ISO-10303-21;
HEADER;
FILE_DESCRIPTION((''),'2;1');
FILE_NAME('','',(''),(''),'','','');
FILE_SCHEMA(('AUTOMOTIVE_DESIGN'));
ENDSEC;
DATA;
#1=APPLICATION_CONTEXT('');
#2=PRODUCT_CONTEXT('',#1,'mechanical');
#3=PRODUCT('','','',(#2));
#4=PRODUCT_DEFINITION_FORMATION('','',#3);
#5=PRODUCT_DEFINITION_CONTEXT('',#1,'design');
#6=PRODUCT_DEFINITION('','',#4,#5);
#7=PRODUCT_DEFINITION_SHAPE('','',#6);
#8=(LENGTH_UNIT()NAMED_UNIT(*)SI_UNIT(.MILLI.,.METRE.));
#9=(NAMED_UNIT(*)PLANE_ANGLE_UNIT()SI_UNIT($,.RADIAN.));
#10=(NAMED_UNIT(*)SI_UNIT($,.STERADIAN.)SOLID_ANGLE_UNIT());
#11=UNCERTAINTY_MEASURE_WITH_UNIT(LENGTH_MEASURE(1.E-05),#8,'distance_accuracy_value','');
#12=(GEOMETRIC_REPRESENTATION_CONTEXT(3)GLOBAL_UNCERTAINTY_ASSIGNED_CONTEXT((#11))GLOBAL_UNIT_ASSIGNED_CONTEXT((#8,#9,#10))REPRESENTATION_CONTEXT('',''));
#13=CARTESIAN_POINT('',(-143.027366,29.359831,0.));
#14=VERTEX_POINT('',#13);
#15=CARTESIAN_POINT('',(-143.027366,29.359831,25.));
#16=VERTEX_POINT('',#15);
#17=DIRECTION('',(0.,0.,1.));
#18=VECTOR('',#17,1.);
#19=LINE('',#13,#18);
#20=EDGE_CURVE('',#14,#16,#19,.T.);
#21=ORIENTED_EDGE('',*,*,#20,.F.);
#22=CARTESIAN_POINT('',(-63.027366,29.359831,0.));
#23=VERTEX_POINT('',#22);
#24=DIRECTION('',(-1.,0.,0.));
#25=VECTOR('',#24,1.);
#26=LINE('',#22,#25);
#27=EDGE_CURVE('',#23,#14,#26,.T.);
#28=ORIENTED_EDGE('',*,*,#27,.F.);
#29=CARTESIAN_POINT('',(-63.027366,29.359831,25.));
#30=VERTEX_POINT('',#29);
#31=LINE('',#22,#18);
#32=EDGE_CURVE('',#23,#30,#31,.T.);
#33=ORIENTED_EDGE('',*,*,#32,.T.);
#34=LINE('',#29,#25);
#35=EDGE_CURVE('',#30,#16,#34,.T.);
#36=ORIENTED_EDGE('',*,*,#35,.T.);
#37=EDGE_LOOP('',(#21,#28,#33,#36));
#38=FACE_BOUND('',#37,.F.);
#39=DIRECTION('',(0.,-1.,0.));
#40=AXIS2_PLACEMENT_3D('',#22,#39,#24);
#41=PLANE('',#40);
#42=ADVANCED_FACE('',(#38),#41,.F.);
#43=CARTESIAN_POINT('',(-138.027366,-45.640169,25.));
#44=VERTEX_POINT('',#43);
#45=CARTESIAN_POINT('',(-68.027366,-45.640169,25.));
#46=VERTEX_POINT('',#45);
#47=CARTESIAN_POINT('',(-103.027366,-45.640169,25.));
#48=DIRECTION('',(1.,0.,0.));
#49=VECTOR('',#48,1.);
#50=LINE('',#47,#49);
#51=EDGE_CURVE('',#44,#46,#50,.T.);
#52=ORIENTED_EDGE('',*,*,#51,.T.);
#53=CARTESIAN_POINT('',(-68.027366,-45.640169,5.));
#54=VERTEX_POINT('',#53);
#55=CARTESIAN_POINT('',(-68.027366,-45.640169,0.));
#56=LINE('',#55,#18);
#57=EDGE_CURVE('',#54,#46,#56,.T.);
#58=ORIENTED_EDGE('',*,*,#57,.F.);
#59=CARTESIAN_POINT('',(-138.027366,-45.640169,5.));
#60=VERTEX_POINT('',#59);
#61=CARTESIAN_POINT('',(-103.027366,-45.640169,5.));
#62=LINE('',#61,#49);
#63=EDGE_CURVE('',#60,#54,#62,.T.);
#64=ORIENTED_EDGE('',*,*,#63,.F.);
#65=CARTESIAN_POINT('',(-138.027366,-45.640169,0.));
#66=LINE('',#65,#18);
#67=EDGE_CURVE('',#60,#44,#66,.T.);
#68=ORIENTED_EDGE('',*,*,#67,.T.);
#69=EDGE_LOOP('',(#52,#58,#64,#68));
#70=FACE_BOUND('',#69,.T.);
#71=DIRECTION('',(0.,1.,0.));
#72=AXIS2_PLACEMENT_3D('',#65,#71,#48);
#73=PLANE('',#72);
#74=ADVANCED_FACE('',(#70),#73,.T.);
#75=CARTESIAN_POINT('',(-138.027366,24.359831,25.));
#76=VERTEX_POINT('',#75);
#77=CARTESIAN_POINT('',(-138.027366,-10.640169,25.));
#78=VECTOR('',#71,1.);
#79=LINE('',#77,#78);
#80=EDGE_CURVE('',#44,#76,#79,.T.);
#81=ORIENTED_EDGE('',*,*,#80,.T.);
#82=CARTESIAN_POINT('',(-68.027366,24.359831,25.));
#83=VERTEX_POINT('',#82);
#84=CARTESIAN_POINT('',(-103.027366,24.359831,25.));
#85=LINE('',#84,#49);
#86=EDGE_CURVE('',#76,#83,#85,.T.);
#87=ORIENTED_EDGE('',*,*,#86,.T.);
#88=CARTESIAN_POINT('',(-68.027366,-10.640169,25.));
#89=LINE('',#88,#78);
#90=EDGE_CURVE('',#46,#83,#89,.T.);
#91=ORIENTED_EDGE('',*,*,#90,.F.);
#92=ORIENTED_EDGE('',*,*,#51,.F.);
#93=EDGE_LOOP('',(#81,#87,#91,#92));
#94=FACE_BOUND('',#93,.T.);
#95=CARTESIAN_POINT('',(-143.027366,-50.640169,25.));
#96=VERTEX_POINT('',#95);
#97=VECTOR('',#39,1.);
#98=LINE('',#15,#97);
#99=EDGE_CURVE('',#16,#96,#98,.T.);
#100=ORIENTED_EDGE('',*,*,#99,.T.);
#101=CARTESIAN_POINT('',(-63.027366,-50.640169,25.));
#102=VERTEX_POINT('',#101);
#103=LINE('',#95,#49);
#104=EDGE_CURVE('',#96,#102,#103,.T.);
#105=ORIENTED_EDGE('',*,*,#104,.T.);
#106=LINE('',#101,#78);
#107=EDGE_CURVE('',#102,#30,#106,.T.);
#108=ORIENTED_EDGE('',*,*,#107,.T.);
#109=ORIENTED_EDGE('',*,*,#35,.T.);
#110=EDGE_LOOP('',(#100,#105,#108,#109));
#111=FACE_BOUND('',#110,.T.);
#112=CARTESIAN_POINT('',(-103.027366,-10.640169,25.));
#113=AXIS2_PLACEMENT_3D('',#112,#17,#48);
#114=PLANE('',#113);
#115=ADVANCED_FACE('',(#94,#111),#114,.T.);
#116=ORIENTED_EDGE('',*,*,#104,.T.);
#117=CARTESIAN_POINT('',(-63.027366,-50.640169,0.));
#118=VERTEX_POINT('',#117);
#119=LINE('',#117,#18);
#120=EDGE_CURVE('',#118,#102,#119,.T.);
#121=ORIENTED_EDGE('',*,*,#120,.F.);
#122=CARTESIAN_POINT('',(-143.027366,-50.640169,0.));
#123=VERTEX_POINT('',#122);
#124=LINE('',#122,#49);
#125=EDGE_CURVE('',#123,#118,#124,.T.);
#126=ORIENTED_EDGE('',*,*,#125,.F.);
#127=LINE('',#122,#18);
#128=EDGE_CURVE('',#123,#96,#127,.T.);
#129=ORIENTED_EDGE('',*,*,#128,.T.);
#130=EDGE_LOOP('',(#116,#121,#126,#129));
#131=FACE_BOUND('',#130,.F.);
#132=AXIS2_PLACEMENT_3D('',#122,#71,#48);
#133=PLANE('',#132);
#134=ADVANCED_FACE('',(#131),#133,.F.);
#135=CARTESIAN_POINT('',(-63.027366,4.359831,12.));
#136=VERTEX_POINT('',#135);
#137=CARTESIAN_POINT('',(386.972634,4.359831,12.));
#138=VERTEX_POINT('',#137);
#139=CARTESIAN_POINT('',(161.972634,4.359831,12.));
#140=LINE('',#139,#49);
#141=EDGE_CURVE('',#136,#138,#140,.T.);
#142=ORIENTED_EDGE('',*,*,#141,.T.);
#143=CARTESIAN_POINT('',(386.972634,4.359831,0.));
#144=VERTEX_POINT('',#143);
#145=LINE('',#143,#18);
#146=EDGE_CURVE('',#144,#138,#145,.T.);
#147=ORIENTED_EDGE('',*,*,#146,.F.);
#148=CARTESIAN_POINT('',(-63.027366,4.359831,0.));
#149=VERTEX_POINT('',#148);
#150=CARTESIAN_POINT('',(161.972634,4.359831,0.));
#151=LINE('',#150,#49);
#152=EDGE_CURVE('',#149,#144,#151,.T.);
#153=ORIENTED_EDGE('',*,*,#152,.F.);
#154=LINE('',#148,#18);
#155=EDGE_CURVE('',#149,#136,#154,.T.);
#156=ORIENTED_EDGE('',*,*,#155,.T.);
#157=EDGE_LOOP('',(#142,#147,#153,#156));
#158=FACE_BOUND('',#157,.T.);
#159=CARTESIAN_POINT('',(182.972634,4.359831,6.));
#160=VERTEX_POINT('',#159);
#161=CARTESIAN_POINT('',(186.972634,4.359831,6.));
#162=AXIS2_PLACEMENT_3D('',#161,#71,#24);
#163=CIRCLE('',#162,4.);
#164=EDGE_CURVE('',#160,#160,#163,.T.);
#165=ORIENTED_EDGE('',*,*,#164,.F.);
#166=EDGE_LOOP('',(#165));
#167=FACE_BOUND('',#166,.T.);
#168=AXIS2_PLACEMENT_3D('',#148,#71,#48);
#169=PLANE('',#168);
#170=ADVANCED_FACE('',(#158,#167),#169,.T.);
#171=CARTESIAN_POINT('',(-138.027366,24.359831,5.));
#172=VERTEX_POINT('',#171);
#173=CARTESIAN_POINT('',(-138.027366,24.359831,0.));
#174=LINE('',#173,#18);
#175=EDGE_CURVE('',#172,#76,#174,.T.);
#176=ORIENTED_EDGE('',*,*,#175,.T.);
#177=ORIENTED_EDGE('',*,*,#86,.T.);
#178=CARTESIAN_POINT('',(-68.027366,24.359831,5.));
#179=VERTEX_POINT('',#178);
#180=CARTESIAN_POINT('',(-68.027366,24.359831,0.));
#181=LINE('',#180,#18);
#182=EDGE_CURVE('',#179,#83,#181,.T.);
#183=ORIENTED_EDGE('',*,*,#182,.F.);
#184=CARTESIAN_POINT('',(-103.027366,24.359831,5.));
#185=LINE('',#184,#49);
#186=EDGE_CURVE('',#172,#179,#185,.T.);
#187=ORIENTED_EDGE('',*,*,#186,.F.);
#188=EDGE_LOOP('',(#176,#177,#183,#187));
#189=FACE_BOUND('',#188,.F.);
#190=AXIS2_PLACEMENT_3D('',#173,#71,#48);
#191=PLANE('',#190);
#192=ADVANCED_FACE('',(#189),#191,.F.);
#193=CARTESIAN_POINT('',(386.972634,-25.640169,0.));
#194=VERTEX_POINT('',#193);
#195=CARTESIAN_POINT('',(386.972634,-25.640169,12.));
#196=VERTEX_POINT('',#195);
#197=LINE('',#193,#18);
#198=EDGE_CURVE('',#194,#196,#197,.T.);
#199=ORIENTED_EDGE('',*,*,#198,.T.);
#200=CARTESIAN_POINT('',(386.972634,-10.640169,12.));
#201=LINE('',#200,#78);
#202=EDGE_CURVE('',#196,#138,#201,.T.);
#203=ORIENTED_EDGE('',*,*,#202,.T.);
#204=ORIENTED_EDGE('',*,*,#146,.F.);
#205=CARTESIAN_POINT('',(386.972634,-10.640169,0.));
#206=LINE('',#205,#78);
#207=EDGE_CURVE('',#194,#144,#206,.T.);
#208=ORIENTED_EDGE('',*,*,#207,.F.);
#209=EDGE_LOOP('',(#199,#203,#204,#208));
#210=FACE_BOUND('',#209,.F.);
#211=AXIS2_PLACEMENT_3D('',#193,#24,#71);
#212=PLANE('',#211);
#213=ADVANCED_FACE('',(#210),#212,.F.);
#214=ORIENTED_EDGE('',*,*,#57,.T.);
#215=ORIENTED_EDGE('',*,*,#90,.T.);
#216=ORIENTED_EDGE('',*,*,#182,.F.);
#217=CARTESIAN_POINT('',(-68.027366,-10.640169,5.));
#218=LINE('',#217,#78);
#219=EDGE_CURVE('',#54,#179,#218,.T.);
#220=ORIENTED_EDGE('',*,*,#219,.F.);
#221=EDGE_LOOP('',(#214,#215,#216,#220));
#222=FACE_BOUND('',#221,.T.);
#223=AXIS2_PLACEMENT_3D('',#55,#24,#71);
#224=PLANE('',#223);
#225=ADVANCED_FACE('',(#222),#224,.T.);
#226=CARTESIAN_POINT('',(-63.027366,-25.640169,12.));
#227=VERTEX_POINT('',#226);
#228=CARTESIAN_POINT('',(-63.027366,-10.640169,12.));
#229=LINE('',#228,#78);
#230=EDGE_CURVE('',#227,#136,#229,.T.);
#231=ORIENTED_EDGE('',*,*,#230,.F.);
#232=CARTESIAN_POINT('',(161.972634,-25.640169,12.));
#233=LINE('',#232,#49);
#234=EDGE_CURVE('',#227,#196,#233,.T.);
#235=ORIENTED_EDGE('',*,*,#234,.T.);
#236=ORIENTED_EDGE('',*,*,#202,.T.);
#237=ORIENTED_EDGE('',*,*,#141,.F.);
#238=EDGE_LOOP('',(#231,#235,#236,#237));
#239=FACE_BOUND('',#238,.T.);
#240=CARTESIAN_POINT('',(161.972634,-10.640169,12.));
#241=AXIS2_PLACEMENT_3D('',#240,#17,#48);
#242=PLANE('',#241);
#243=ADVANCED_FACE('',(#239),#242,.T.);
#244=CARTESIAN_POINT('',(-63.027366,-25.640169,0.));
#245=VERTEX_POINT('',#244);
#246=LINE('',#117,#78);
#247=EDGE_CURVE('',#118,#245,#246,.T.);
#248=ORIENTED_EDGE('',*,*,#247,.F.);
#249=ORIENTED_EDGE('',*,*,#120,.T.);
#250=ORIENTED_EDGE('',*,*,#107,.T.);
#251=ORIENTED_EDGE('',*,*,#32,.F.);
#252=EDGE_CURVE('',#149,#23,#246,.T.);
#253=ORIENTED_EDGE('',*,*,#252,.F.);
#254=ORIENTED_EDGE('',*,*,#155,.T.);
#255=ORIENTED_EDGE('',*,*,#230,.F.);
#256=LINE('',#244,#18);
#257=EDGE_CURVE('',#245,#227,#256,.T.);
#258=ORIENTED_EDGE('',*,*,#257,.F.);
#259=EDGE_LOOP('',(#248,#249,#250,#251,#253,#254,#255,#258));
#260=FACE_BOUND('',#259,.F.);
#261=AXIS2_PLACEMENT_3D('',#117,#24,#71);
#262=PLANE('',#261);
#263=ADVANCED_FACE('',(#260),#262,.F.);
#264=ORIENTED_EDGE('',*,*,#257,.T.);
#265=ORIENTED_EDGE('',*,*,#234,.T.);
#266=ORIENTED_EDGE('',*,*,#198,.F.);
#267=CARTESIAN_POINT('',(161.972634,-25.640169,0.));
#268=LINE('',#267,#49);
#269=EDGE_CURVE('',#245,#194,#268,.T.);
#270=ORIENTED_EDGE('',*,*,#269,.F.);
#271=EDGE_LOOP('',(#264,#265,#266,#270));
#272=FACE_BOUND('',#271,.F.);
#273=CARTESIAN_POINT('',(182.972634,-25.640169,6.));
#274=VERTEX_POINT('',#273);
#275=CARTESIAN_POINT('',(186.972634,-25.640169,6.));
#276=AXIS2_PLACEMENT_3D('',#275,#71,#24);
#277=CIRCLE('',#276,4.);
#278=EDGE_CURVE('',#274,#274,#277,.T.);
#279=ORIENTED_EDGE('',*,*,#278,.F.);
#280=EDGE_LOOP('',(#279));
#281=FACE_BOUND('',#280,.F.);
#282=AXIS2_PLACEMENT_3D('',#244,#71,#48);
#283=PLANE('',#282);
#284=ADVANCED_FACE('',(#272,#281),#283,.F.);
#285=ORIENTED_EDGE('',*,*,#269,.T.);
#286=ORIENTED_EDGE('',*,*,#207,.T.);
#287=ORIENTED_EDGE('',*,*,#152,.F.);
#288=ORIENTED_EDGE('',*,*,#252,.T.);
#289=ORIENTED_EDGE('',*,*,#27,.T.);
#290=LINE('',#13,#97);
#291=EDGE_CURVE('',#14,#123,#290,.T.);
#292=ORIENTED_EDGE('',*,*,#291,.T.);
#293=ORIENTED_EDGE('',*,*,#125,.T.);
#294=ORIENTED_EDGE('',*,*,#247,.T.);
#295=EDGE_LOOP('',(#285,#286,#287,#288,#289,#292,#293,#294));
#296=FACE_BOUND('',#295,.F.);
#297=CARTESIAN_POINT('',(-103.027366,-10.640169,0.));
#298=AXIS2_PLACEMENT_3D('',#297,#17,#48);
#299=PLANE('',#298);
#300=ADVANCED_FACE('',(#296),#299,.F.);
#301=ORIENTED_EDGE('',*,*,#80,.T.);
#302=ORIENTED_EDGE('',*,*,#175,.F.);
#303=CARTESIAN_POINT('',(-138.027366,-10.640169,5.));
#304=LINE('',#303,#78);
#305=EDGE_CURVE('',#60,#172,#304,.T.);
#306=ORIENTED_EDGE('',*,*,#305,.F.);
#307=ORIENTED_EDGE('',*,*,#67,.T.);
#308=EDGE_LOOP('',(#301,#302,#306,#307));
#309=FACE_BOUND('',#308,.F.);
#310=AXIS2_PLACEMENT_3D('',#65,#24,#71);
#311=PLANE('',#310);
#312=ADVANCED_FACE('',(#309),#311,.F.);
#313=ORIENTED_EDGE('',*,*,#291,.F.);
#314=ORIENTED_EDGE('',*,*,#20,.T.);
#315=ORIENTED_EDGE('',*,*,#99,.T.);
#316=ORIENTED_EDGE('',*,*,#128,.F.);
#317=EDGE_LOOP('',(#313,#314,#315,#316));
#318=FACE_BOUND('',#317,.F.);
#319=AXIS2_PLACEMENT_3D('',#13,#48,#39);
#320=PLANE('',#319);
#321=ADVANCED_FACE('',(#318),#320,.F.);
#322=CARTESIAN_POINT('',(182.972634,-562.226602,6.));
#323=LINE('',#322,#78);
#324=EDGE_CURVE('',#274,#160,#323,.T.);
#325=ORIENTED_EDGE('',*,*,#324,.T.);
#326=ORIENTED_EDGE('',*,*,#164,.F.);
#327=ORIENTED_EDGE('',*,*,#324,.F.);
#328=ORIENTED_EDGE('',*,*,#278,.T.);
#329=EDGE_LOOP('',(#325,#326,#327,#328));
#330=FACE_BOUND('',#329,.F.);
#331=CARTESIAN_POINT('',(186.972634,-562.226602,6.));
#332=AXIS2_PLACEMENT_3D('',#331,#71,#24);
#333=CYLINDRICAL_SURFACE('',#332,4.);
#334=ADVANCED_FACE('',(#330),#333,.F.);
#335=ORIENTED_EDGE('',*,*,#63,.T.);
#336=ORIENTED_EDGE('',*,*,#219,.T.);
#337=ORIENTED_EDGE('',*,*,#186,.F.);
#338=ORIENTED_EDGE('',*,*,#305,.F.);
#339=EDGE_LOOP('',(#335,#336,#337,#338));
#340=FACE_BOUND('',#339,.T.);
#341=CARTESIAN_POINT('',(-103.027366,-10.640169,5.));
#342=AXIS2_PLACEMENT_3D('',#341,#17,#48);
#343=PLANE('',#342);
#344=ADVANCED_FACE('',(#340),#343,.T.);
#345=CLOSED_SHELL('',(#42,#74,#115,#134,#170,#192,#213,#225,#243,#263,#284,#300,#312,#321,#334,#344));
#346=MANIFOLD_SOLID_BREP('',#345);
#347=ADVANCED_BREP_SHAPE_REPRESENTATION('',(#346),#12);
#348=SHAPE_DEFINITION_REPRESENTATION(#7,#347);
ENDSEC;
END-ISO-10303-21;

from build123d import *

# Parameters (mm, degrees)
F0_W     = 450
F0_H     = 30
F1_DEPTH = 12
F0_W_2   = 70
F0_H_2   = 70
F2_DEPTH = 25
F3_DEPTH = 5
F5_D     = 8


with BuildPart() as f1:
    # F0 (on Top) → F1 (new body)
    with BuildSketch(Plane.XY):
        with Locations((161.972634, -10.640169)):
            Rectangle(F0_W, F0_H)
    extrude(amount=F1_DEPTH)

    # F0 (on Top) → F2 (join)
    with BuildSketch(Plane.XY):
        Polygon((-63.027366, 29.359831), (-143.027366, 29.359831), (-143.027366, -50.640169), (-63.027366, -50.640169), (-63.027366, -25.640169), (-63.027366, 4.359831), align=None)
        with Locations((-103.027366, -10.640169)):
            Rectangle(F0_W_2, F0_H_2, mode=Mode.SUBTRACT)
    extrude(amount=F2_DEPTH)

    # F0 (on Top) → F3 (join)
    with BuildSketch(Plane.XY):
        with Locations((-103.027366, -10.640169)):
            Rectangle(F0_W_2, F0_H_2)
    extrude(amount=F3_DEPTH)

    # F5 (through all)
    with Locations(Plane.XZ.offset(25.640169)):
        with Locations((186.972634, 6)):
            Hole(F5_D / 2)


solid = f1.part
